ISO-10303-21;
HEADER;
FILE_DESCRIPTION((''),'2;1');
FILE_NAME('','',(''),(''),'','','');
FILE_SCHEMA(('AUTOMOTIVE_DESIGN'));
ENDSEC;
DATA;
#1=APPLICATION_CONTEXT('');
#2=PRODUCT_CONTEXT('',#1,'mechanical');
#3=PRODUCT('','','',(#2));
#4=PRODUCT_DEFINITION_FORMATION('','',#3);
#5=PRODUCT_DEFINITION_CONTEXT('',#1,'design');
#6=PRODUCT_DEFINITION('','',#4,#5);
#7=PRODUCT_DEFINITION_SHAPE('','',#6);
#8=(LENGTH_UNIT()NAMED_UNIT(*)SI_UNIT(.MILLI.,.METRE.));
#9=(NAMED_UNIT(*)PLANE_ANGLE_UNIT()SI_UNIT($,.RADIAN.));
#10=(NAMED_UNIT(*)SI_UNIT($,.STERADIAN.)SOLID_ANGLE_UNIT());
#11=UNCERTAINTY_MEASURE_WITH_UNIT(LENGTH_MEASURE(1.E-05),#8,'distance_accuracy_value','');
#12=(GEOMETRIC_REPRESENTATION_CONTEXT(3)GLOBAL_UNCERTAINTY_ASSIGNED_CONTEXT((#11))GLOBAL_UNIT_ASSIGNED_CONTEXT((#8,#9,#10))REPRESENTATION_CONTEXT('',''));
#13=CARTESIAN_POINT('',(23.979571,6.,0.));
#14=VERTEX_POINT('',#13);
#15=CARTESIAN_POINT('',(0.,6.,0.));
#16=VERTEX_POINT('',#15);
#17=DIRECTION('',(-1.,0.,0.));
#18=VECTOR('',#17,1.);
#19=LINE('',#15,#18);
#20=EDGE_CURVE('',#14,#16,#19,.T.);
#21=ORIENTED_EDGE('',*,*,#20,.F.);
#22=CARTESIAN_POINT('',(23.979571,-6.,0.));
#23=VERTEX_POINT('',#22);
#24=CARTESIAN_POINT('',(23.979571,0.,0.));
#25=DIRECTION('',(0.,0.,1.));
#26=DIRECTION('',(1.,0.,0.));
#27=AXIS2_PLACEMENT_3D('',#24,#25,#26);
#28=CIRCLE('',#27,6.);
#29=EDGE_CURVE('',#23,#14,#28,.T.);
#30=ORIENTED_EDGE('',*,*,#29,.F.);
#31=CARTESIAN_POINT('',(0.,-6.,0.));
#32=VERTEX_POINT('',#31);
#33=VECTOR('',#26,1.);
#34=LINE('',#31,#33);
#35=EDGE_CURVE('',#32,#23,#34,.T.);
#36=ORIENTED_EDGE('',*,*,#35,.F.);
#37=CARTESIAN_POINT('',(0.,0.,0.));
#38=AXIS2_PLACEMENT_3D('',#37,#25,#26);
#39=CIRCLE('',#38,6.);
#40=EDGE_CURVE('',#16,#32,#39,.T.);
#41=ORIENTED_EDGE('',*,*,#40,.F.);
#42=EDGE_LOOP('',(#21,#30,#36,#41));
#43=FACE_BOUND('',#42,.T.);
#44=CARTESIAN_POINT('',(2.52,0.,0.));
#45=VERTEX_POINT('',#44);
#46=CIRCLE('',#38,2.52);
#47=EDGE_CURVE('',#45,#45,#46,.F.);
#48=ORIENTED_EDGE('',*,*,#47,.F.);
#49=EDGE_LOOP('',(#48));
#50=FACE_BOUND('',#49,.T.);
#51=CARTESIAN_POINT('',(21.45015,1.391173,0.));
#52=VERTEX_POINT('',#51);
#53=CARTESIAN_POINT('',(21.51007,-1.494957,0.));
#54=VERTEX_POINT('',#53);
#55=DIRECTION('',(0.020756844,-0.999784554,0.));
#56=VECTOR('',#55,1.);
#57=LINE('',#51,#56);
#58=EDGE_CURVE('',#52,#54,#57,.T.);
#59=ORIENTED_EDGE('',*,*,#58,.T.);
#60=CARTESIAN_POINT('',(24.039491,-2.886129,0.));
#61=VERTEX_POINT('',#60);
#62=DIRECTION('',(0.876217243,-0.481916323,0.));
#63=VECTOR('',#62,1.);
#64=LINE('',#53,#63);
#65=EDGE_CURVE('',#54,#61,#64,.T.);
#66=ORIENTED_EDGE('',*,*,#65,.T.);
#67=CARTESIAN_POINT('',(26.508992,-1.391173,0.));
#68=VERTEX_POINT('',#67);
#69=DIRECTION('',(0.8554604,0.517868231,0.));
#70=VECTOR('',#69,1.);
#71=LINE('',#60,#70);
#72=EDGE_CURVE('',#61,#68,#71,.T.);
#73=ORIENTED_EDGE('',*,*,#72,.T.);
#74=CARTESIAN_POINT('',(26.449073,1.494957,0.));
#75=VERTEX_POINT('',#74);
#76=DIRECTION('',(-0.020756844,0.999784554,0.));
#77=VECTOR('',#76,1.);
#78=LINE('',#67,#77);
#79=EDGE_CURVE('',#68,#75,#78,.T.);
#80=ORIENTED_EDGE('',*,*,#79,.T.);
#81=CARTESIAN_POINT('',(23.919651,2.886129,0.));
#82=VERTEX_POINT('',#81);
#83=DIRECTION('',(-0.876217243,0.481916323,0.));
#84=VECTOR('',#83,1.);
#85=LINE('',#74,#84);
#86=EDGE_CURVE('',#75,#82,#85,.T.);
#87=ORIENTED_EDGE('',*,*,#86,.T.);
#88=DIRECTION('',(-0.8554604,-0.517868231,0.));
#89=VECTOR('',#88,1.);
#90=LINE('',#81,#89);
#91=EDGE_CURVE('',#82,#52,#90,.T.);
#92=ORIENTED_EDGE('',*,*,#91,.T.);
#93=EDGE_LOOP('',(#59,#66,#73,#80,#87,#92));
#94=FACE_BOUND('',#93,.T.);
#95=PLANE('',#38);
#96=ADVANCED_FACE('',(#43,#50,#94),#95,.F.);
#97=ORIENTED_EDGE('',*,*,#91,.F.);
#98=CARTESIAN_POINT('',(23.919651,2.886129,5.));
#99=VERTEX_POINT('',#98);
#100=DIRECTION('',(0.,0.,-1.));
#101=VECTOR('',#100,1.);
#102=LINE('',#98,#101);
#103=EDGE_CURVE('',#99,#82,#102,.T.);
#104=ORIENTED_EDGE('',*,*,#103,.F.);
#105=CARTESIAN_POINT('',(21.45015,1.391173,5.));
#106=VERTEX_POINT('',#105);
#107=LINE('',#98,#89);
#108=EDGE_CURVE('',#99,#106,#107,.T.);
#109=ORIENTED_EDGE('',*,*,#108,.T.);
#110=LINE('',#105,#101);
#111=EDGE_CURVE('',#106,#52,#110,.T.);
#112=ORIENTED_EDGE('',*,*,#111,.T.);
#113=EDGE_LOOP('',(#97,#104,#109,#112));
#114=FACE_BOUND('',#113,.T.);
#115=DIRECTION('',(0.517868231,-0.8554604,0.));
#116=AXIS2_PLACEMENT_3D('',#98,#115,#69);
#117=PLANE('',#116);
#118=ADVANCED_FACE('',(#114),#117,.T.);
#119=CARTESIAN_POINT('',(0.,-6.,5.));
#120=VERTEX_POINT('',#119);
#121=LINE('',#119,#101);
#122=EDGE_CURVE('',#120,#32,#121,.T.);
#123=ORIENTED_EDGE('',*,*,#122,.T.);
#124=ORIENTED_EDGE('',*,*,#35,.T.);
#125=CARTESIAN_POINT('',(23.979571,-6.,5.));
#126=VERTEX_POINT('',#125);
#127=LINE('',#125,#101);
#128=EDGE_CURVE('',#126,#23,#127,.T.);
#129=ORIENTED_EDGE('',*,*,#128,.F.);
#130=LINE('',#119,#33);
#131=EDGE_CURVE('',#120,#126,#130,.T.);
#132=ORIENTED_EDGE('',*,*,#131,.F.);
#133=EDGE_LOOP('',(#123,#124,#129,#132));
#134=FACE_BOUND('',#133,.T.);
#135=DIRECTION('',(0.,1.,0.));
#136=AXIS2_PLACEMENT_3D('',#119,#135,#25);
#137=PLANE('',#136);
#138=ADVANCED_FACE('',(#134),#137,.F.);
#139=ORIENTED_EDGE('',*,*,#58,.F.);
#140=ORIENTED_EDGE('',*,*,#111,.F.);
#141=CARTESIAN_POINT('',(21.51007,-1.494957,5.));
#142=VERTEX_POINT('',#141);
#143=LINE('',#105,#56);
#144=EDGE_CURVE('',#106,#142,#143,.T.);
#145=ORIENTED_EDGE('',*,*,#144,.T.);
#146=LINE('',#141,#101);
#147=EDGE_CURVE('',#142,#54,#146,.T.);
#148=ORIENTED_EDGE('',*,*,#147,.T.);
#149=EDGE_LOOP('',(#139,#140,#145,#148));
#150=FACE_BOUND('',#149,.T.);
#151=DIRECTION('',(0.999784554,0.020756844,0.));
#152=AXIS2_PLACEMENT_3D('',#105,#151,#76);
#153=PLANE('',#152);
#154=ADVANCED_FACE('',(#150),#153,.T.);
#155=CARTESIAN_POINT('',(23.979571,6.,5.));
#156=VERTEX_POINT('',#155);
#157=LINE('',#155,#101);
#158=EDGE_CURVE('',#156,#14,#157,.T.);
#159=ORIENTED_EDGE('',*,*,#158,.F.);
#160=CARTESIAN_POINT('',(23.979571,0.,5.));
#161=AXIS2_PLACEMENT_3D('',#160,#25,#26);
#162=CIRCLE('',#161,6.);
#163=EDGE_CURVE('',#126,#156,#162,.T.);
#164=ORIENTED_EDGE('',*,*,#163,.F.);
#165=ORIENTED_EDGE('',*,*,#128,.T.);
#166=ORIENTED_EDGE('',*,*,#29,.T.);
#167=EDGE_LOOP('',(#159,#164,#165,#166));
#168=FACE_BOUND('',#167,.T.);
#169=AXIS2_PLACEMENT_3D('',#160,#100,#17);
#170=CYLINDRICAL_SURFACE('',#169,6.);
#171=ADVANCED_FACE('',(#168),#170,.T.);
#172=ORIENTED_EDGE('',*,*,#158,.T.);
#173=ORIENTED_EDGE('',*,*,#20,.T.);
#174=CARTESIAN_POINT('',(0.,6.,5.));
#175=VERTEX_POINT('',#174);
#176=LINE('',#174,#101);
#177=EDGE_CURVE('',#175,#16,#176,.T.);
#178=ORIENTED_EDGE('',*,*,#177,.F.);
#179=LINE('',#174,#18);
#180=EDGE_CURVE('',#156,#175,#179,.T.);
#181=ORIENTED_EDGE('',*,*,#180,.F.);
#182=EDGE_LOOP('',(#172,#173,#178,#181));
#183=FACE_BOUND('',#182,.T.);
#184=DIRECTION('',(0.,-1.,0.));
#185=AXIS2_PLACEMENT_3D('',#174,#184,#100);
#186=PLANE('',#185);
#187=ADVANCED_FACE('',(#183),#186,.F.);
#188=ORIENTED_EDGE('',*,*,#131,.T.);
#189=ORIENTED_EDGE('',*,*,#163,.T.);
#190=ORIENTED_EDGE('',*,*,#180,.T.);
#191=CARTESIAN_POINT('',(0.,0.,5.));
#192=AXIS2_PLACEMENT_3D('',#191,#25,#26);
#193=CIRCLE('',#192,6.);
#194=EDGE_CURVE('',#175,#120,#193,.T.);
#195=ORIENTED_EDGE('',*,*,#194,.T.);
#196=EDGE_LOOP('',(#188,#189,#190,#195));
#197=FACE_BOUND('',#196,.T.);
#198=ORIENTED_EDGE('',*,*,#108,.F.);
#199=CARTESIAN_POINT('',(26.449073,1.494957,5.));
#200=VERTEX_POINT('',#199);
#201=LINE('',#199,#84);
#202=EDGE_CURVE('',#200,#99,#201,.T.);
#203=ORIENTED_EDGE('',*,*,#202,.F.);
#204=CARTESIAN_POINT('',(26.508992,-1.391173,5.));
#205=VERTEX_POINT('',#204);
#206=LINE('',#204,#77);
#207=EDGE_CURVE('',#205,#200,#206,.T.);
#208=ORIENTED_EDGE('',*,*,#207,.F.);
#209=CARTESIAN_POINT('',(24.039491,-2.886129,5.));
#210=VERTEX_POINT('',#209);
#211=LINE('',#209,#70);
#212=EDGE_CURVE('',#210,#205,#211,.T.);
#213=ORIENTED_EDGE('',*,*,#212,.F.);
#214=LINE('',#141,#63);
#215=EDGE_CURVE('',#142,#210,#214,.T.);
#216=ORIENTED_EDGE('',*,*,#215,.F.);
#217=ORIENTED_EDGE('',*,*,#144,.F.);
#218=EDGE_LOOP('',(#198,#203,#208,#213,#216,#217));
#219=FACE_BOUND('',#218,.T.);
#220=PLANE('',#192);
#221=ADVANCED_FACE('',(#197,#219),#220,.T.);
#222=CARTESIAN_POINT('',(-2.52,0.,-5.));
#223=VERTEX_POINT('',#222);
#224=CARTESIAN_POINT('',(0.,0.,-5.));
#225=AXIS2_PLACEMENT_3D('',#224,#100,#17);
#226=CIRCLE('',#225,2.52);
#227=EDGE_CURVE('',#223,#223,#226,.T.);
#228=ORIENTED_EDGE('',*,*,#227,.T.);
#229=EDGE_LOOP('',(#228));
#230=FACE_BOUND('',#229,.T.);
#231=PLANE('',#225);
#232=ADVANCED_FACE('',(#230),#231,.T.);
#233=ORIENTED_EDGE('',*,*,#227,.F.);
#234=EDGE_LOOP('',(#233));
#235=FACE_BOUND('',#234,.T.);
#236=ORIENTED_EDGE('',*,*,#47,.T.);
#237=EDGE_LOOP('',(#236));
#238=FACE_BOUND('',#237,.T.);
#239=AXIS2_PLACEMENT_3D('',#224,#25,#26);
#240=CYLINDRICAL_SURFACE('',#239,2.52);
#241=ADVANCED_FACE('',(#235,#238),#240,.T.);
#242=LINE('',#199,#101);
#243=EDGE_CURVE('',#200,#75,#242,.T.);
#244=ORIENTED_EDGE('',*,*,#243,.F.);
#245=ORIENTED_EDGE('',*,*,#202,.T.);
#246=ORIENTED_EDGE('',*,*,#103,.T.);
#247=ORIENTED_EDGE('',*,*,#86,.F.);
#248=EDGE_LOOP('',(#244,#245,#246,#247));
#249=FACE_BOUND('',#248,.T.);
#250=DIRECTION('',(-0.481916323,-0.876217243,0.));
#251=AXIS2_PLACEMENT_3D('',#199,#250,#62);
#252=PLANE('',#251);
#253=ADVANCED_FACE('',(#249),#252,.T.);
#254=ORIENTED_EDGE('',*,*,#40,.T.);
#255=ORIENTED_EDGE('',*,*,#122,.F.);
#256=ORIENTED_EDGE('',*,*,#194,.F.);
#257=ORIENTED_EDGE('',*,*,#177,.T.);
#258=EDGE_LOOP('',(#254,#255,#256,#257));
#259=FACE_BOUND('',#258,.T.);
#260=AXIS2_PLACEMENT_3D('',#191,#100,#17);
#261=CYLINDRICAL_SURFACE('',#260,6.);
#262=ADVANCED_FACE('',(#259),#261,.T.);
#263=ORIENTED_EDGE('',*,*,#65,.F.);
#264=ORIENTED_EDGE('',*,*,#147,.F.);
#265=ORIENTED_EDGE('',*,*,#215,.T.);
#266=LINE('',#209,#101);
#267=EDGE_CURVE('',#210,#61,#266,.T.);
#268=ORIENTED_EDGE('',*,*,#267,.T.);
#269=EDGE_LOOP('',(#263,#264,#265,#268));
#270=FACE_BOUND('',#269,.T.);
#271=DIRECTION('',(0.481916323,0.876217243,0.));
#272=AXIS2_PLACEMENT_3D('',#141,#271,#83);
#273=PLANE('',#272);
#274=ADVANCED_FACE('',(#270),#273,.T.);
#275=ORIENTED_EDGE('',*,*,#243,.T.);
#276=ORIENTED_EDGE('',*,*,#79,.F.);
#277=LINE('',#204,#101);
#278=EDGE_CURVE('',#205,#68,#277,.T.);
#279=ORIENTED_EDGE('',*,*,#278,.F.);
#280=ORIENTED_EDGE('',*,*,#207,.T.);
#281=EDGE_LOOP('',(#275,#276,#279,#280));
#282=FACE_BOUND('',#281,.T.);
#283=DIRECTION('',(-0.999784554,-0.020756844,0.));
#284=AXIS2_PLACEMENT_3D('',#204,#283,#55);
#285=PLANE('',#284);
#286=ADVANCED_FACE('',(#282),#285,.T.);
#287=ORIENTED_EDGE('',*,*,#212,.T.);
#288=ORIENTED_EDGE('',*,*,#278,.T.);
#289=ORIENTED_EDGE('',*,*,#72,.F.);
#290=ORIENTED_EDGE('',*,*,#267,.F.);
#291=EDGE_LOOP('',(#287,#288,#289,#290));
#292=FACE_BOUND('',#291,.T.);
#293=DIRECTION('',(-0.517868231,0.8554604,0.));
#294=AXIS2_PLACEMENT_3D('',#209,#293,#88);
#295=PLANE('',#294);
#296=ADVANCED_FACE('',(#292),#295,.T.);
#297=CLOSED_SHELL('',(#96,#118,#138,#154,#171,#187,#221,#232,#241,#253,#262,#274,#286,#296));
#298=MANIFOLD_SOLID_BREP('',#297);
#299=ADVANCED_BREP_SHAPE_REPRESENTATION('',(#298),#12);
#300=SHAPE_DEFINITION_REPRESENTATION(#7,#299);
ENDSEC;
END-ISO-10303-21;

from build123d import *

# Parameters (mm, degrees)
EXTRUDE_1_DEPTH = 5
SKETCH_3_R      = 2.52
EXTRUDE_3_DEPTH = 5


with BuildPart() as part:
    # 草图1 → 凸台-拉伸1 (new body)
    with BuildSketch(Plane.XY):
        with BuildLine():
            Line((0, 6), (23.979571043, 6))
            ThreePointArc((23.979571043, 6), (29.979571043, 0), (23.979571043, -6))
            Line((23.979571043, -6), (0, -6))
            ThreePointArc((0, -6), (-6, 0), (0, 6))
        make_face()
        Polygon((26.50899235, -1.391172594), (26.449072504, 1.494956812), (23.919651197, 2.886129406), (21.450149737, 1.391172594), (21.510069583, -1.494956812), (24.039490889, -2.886129406), align=None, mode=Mode.SUBTRACT)
    extrude(amount=EXTRUDE_1_DEPTH)

    # 草图3 → 凸台-拉伸3 (add)
    with BuildSketch(Plane(origin=(0, 0, 0), x_dir=(-1, 0, 0), z_dir=(0, 0, -1))):
        with Locations(Location((0, 0, 0), (0, 0, 180))):
            Circle(SKETCH_3_R)
    extrude(amount=EXTRUDE_3_DEPTH)


solid = part.part
